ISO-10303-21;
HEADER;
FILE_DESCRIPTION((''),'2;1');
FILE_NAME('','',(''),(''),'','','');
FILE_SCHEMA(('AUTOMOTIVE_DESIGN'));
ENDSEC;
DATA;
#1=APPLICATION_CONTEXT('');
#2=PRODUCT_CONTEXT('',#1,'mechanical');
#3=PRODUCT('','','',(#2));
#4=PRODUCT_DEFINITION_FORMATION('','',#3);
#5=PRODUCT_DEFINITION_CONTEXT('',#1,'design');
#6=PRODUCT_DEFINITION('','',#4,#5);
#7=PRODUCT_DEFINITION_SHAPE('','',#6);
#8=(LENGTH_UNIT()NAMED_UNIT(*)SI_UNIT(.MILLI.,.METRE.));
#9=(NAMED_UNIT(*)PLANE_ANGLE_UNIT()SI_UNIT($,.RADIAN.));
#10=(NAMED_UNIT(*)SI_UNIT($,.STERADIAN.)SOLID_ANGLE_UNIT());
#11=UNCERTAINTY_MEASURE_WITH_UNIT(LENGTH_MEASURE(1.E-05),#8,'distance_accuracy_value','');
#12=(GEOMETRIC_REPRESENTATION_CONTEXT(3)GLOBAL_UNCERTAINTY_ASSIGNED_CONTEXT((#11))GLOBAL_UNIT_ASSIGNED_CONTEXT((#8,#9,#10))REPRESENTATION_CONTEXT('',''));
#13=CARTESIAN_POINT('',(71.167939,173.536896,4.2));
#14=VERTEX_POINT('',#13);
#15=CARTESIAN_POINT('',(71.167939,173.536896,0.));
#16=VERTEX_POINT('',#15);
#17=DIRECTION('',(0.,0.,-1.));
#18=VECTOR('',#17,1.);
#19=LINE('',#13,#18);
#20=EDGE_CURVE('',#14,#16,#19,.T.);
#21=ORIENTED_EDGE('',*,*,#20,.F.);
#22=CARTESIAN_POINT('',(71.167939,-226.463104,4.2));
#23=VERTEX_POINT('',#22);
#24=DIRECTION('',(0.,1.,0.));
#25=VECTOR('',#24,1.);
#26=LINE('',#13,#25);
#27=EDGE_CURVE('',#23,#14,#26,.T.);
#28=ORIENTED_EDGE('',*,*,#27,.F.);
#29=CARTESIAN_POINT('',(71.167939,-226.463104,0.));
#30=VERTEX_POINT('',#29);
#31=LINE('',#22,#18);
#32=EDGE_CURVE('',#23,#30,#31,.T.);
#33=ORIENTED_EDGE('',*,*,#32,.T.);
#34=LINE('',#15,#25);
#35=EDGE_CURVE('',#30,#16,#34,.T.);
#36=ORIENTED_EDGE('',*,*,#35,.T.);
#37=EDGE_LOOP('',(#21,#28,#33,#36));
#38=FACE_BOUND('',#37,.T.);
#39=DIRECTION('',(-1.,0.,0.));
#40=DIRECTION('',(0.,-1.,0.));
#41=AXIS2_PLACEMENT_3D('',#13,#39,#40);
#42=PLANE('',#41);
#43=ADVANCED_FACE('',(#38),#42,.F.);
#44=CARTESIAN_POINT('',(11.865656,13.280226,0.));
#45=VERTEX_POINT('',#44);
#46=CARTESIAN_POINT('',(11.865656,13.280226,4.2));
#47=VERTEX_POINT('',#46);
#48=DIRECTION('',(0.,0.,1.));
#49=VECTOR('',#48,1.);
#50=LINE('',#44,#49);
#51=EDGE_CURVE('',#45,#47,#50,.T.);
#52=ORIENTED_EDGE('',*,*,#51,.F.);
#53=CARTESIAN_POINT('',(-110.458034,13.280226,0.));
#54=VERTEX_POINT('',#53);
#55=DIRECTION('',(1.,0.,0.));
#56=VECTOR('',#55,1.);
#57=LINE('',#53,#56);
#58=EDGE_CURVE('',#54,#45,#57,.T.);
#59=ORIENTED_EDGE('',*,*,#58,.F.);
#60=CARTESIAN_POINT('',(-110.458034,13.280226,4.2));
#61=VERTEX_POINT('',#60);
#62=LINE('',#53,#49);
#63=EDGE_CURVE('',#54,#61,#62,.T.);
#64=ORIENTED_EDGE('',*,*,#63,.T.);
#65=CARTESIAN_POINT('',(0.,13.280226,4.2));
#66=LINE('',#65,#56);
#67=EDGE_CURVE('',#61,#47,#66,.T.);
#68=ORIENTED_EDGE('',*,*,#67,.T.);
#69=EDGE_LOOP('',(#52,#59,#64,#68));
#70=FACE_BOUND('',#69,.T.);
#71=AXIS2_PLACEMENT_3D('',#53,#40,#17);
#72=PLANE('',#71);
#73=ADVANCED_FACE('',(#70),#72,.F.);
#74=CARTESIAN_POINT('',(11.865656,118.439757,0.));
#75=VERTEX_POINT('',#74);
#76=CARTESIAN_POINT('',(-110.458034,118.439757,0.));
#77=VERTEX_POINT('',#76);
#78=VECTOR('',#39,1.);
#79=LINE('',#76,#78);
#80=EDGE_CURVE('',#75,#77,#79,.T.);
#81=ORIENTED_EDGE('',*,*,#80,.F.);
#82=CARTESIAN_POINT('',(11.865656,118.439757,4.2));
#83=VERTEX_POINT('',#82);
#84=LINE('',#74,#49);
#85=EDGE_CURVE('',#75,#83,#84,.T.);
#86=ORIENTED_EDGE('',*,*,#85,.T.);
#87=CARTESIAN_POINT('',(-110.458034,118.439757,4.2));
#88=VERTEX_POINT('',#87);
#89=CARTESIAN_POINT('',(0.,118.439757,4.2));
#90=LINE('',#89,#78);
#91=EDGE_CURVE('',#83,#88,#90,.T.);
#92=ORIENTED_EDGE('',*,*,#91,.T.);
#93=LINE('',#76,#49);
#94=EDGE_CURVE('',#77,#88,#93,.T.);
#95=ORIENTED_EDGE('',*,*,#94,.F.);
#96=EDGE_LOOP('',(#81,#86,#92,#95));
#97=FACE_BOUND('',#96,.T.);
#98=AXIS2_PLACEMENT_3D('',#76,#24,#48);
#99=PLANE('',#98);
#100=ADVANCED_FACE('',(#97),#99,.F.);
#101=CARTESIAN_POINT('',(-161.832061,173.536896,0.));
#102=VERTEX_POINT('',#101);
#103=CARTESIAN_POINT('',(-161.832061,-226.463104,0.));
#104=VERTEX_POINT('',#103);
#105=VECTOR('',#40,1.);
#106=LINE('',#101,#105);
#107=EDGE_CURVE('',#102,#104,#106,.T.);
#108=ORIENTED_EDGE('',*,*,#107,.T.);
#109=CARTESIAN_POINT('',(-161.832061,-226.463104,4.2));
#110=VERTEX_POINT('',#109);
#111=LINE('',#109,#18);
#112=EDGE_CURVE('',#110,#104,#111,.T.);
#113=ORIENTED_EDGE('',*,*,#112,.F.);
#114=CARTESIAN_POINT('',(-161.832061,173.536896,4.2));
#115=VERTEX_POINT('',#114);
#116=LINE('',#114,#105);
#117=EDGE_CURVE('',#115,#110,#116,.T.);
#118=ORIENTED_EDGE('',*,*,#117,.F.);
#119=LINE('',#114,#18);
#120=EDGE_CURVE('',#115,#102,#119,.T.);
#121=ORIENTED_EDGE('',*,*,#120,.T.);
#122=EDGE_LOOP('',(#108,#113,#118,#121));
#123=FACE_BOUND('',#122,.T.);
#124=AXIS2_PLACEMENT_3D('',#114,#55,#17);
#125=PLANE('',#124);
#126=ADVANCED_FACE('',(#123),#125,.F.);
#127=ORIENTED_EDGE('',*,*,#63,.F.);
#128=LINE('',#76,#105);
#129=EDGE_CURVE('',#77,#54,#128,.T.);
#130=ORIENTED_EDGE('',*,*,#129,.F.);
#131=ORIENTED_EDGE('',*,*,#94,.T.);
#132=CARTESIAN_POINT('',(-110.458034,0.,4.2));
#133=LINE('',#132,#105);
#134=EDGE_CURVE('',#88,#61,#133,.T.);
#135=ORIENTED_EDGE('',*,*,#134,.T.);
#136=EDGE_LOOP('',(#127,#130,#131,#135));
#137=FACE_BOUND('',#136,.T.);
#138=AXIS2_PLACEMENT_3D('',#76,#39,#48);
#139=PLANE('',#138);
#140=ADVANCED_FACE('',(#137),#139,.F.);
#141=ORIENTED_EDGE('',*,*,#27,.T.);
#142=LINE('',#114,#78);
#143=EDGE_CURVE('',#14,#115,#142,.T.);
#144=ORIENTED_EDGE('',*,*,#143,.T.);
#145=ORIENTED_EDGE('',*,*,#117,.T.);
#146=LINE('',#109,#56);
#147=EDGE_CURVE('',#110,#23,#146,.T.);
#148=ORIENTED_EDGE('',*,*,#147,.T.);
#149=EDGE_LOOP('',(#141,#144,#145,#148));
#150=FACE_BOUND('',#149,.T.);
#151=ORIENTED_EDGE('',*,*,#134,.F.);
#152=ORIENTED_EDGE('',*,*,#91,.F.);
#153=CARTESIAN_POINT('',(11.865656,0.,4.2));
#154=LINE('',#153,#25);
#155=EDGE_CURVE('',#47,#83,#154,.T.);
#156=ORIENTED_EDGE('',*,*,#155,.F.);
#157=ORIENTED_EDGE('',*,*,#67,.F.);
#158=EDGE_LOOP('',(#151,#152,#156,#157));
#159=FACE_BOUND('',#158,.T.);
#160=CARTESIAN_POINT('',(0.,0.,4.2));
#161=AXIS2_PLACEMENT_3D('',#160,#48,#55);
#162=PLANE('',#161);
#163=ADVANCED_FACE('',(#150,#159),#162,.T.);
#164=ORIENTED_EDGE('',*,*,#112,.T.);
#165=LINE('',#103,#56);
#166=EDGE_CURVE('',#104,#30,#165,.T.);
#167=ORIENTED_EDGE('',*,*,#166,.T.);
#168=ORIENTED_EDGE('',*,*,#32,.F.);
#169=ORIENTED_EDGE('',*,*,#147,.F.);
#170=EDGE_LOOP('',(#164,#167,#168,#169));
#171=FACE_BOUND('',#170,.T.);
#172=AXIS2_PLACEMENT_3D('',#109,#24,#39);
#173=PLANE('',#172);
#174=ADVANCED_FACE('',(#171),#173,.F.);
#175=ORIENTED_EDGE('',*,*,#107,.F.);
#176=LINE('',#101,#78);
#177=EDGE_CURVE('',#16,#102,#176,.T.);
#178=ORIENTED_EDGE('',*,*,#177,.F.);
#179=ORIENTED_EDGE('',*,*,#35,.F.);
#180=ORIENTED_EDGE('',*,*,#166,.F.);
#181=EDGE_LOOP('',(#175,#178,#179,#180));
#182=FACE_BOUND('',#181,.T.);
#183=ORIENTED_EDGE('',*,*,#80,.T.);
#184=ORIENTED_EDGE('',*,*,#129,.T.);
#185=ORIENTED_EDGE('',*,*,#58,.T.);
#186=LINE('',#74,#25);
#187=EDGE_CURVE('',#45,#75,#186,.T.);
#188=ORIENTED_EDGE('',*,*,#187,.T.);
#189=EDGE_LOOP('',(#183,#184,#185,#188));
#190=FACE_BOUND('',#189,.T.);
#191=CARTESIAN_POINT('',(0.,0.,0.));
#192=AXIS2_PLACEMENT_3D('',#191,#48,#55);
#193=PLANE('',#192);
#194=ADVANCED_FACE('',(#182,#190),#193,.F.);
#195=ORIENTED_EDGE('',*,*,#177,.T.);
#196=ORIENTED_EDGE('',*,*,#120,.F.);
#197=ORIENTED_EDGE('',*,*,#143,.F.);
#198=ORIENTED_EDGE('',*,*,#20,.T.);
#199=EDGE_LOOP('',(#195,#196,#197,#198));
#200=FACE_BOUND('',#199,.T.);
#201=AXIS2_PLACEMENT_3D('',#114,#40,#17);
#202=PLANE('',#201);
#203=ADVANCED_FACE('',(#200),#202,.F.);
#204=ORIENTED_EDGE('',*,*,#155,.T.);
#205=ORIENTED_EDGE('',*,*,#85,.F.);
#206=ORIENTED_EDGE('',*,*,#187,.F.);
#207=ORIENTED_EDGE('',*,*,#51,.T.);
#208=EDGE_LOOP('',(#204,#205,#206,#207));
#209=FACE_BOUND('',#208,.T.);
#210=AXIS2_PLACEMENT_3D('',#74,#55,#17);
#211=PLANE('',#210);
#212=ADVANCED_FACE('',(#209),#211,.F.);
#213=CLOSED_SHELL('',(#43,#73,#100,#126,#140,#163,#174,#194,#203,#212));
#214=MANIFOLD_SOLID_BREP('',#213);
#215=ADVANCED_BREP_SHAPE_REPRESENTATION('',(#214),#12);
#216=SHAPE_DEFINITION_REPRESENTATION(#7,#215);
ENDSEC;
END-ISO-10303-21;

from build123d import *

# Parameters (mm, degrees)
ESQUISSE1_W                  = 233
ESQUISSE1_H                  = 400
BOSS_EXTRU_1_DEPTH           = 4.2
ENL_V_MAT_EXTRU_1_DEPTH      = 279.375274783
ENL_V_MAT_EXTRU_1_DEPTH_BACK = 279.375274783
ESQUISSE2_W                  = 122.323690039
ESQUISSE2_H                  = 105.15953143


with BuildPart() as part:
    # Esquisse1 → Boss.-Extru.1 (new body)
    with BuildSketch(Plane.XY):
        with Locations((-45.332061069, -26.463104326)):
            Rectangle(ESQUISSE1_W, ESQUISSE1_H)
    extrude(amount=BOSS_EXTRU_1_DEPTH)

    # Esquisse2 → Enlèv. mat.-Extru.1 (cut, two sides: drawn at the far end of the back side and taken through both)
    with BuildSketch(Plane.XY.offset(4.2).offset(-ENL_V_MAT_EXTRU_1_DEPTH_BACK)):
        with Locations((-49.296189184, 65.859991666)):
            Rectangle(ESQUISSE2_W, ESQUISSE2_H)
    extrude(amount=ENL_V_MAT_EXTRU_1_DEPTH + ENL_V_MAT_EXTRU_1_DEPTH_BACK, mode=Mode.SUBTRACT)


solid = part.part
